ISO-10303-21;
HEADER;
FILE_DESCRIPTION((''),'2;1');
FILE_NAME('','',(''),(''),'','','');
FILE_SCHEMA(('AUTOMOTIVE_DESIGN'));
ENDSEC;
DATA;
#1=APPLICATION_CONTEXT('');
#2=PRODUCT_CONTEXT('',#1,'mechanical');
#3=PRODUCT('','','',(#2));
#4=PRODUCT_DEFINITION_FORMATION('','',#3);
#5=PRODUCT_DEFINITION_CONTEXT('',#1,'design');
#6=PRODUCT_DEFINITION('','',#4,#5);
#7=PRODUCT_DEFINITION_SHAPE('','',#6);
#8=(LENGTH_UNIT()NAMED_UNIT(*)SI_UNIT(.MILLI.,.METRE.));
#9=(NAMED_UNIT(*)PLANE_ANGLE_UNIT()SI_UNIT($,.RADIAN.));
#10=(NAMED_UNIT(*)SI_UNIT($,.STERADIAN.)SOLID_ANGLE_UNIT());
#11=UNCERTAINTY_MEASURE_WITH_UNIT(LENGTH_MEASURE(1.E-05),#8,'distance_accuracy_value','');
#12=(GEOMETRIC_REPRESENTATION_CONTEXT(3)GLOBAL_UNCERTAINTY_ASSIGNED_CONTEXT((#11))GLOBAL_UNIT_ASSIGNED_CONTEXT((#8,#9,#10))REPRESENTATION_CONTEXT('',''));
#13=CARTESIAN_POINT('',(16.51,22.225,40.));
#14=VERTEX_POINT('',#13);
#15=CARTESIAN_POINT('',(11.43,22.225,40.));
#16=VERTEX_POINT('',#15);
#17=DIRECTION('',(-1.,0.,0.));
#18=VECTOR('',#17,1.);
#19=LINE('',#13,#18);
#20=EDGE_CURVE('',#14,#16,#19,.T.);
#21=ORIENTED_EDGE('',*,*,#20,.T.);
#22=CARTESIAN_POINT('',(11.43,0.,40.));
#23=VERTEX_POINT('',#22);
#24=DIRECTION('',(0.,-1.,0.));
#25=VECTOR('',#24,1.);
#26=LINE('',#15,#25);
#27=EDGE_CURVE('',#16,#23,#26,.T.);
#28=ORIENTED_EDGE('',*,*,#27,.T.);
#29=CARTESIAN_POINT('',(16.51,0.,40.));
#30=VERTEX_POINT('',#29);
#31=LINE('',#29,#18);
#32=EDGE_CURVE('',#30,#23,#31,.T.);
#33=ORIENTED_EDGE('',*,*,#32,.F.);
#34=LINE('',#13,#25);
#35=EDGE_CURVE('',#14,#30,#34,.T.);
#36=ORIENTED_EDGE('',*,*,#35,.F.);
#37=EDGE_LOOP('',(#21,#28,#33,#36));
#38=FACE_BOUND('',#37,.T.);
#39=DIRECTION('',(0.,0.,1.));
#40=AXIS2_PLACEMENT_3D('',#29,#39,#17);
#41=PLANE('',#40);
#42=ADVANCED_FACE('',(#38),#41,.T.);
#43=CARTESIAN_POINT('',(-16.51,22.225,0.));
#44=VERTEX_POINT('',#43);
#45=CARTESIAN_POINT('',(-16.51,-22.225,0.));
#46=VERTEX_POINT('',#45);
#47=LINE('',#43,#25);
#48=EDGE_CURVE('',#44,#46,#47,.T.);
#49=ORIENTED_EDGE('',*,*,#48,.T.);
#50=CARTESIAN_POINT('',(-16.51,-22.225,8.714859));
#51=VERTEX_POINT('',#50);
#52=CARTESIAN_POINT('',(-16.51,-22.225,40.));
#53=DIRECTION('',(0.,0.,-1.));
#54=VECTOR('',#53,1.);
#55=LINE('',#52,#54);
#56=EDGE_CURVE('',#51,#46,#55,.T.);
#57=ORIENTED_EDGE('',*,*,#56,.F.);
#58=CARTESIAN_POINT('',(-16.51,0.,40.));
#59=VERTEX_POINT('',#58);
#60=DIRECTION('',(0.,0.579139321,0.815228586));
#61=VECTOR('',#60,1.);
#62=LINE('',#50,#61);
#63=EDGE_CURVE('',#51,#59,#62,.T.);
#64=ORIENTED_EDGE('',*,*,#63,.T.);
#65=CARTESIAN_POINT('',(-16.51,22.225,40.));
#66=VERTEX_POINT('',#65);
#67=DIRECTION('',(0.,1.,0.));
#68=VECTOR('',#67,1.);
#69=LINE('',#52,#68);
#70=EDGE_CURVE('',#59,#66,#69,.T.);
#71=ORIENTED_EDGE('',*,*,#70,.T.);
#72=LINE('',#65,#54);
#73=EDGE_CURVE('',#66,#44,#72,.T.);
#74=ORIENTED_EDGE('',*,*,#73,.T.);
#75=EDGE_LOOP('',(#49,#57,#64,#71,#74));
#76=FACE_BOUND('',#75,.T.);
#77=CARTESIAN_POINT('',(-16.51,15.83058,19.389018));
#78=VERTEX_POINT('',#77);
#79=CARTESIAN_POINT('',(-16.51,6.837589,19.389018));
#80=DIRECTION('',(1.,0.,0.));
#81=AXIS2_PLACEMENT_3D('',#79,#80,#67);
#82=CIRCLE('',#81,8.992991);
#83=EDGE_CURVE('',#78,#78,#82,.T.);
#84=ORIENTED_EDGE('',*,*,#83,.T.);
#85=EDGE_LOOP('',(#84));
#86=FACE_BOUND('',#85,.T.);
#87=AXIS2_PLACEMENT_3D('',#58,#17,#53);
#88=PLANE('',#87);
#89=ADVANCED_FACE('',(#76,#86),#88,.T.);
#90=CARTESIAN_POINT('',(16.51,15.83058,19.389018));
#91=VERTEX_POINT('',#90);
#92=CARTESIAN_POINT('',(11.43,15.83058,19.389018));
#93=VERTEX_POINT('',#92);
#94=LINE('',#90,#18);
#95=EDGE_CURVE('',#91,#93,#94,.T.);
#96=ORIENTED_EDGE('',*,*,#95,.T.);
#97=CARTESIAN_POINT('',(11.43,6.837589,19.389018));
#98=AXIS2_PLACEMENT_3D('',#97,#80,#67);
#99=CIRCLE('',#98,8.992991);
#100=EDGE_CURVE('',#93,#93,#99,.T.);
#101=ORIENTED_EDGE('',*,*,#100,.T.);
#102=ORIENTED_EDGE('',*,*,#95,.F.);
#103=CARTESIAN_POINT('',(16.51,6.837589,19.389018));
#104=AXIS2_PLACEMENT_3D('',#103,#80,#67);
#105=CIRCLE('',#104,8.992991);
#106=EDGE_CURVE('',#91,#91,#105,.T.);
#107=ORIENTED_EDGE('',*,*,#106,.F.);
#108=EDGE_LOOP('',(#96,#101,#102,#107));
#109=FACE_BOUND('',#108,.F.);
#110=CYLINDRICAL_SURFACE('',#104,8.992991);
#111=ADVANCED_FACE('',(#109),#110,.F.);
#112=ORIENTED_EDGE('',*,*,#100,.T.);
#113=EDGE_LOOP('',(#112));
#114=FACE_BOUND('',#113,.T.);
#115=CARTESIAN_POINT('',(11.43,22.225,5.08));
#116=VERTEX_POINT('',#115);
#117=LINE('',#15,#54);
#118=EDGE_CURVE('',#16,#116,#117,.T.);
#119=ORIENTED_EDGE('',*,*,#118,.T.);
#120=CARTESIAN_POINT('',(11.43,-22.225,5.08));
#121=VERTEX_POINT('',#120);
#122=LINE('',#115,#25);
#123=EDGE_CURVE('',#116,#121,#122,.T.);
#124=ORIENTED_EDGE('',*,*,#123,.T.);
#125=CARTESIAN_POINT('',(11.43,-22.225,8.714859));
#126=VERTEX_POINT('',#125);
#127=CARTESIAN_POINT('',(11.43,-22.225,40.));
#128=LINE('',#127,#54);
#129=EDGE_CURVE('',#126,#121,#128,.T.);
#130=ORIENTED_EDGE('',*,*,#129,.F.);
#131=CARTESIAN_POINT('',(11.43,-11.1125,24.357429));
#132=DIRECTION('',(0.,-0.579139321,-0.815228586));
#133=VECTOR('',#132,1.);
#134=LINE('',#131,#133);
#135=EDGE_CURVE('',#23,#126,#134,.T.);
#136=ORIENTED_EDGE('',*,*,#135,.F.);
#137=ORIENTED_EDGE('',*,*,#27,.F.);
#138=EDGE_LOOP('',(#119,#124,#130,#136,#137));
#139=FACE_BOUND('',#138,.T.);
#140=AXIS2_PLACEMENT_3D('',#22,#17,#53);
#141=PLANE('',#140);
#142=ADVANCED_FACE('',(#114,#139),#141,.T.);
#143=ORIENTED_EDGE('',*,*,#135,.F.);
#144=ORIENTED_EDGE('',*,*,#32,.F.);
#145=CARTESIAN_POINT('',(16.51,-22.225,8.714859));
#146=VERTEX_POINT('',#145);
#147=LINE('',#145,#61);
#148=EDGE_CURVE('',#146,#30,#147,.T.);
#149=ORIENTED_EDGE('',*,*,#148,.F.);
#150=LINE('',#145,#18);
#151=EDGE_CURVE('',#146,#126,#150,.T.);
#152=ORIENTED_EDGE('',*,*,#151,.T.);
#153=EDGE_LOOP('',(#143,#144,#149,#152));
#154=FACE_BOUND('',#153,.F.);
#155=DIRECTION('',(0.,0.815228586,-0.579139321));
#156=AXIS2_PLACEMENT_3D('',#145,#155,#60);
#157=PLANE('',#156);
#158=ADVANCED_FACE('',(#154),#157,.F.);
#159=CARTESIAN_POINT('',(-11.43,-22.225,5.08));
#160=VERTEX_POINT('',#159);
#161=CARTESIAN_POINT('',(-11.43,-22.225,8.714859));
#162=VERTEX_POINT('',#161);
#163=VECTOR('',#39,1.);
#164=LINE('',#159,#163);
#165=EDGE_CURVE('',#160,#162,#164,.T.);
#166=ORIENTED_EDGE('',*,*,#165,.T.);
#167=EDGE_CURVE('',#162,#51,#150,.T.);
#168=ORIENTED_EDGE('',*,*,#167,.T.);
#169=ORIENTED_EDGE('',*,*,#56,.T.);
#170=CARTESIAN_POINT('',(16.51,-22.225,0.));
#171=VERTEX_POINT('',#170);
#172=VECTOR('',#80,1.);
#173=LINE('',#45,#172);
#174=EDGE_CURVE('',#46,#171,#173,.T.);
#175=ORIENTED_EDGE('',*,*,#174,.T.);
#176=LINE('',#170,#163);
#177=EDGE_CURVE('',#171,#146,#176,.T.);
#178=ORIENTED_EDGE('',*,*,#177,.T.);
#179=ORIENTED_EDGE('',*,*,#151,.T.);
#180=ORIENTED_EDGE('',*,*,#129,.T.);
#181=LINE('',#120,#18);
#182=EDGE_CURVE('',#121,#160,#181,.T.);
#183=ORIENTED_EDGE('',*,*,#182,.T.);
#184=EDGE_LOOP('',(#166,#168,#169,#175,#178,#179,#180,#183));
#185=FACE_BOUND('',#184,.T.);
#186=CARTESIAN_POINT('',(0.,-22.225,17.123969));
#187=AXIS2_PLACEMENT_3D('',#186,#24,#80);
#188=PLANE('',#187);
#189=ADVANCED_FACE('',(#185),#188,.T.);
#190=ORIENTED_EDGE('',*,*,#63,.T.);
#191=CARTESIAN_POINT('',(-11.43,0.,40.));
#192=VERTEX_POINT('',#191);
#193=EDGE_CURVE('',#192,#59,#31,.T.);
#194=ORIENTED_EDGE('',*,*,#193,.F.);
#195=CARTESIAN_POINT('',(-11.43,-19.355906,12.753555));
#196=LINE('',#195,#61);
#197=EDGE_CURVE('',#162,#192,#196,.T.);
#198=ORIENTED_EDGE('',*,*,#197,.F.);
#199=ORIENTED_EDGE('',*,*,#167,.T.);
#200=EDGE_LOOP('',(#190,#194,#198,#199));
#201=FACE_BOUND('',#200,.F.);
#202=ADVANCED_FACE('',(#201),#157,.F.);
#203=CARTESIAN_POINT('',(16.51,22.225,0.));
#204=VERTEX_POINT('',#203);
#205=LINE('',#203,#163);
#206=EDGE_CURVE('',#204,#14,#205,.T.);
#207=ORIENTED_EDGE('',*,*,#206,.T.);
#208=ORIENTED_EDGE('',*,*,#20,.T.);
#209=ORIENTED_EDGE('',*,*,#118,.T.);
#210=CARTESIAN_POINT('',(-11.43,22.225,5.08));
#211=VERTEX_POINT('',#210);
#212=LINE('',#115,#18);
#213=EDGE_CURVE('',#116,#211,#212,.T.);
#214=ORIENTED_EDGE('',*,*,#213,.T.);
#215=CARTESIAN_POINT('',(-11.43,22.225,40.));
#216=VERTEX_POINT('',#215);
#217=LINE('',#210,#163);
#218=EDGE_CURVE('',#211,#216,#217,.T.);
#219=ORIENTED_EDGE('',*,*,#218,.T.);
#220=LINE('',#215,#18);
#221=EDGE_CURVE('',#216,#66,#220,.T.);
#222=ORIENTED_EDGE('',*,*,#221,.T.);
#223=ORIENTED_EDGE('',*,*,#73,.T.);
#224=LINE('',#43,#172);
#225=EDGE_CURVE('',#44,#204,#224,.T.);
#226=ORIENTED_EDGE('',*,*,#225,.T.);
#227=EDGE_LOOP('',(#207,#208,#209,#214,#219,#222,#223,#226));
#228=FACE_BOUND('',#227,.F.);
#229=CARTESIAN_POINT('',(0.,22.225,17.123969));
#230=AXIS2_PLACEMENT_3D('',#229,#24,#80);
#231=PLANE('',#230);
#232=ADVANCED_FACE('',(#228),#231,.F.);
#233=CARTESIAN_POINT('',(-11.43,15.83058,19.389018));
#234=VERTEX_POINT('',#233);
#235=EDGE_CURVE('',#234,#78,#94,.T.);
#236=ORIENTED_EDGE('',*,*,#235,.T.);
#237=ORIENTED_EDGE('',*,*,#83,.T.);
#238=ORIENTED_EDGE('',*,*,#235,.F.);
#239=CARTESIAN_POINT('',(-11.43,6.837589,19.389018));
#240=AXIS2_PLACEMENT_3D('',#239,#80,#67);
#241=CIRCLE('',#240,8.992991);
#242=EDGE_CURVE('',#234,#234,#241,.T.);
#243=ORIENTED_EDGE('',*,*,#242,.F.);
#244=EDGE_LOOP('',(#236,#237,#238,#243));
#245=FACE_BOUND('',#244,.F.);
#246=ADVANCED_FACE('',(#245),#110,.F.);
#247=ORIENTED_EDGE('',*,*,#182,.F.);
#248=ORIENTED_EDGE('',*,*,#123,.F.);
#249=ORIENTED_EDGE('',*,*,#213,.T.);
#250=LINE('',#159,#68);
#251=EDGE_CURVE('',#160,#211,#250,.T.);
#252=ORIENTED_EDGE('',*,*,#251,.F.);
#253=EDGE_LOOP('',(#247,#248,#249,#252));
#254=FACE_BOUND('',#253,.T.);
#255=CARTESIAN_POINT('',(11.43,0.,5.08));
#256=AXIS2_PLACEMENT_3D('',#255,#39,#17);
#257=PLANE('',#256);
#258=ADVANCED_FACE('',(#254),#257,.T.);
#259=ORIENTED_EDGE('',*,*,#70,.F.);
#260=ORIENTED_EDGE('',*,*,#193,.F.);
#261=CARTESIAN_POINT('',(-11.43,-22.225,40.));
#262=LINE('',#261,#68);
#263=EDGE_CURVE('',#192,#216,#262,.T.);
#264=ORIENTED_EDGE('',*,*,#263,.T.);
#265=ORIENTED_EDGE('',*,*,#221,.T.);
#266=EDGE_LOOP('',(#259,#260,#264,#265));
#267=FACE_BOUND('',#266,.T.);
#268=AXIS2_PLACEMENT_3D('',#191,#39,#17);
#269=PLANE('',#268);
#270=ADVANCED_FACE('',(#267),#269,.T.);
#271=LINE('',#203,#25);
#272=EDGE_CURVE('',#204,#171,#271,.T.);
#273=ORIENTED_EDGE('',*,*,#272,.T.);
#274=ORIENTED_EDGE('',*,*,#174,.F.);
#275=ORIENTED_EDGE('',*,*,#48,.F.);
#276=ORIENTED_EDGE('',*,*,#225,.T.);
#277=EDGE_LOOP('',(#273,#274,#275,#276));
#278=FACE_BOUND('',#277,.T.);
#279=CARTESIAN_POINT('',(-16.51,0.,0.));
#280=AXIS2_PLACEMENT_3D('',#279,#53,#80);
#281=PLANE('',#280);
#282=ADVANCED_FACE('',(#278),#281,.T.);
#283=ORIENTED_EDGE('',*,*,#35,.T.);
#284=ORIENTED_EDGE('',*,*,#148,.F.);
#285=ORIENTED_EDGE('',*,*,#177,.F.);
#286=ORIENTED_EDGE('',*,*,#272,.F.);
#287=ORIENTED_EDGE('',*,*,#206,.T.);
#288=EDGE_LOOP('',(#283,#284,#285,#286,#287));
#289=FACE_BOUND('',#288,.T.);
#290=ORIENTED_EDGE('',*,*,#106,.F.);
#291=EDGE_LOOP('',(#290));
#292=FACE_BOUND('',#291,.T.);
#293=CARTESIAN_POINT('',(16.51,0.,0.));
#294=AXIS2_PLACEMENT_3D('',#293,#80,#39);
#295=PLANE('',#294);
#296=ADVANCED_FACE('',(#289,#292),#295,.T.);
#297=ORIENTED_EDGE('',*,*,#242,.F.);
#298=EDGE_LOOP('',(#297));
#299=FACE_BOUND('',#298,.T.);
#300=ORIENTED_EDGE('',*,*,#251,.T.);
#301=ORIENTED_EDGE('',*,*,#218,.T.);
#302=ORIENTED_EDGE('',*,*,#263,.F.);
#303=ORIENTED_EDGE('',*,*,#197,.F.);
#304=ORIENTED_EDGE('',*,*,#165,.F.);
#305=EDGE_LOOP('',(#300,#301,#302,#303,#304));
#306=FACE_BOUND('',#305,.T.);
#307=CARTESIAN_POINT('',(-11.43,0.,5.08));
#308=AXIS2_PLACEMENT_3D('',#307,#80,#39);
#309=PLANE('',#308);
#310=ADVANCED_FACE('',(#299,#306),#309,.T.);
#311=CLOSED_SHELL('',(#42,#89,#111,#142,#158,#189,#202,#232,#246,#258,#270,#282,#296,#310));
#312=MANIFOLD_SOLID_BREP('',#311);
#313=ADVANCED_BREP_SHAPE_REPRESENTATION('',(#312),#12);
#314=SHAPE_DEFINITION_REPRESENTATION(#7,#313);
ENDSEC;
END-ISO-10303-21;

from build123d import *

# Parameters (mm, degrees)
F1_DEPTH = 22.225
F3_DEPTH = 33.02
F4_R     = 8.992991
F5_DEPTH = 33.021


with BuildPart() as f1:
    # F0 (on Front) → F1 (new body, symmetric)
    with BuildSketch(Plane.XZ):
        Polygon((-16.51, 40), (-16.51, 0), (0, 0), (16.51, 0), (16.51, 40), (11.43, 40), (11.43, 5.08), (0, 5.08), (-11.43, 5.08), (-11.43, 40), align=None)
    extrude(amount=F1_DEPTH, both=True)

    # F2 (on face) → F3 (cut)
    with BuildSketch(Plane.YZ.offset(16.51)):
        Polygon((-22.225, 40), (-22.225, 8.714859), (0, 40), align=None)
    extrude(amount=-F3_DEPTH, mode=Mode.SUBTRACT)

    # F4 (on face) → F5 (cut, through all)
    with BuildSketch(Plane.YZ.offset(16.51)):
        with Locations((6.837589, 19.389018)):
            Circle(F4_R)
    extrude(amount=-F5_DEPTH, mode=Mode.SUBTRACT)


solid = f1.part
